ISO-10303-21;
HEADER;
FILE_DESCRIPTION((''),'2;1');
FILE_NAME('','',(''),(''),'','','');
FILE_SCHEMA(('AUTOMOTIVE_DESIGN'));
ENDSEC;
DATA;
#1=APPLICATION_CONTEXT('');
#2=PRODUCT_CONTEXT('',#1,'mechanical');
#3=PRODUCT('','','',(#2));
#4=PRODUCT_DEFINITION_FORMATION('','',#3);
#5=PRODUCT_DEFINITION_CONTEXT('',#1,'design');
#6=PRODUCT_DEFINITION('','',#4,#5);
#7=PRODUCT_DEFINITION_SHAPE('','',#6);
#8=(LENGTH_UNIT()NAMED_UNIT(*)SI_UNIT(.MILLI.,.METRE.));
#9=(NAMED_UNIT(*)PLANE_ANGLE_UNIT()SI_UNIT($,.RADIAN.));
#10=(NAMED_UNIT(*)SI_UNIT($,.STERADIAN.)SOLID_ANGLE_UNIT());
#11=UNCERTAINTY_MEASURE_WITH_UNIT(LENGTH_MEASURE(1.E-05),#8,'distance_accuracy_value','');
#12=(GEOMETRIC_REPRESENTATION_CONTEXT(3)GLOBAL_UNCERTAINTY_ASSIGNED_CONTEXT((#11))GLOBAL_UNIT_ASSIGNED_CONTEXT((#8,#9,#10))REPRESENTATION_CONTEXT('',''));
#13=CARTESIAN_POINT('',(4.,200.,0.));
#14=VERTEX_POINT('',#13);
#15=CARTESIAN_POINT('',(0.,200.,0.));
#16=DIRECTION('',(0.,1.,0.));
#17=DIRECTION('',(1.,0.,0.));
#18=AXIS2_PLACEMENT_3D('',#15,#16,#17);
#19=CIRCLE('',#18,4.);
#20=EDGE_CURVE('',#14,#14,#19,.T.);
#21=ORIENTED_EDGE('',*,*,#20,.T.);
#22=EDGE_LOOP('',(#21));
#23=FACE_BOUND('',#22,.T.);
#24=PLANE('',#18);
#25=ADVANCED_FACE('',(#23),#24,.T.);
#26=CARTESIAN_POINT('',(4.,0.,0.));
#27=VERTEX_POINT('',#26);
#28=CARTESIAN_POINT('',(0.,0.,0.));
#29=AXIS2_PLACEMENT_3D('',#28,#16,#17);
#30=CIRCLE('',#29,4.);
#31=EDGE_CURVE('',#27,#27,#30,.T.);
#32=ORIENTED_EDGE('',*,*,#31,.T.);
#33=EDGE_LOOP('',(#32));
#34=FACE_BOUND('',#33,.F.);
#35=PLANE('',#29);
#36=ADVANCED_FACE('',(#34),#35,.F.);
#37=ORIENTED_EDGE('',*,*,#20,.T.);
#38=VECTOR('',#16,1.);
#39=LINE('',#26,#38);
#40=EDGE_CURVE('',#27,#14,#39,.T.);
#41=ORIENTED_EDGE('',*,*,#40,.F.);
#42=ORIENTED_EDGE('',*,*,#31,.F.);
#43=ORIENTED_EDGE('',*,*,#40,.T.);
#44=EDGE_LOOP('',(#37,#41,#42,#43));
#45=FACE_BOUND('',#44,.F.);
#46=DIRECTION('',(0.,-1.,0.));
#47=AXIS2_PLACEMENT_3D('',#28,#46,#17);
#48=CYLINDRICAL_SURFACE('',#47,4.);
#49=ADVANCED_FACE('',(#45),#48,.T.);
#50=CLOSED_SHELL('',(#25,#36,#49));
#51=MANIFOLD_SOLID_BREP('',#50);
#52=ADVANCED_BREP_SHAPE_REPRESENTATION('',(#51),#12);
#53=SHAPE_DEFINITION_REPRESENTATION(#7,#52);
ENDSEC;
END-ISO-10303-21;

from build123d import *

# Parameters (mm, degrees)
CROQUIS1_R              = 4
SALIENTE_EXTRUIR1_DEPTH = 200


with BuildPart() as part:
    # Croquis1 → Saliente-Extruir1 (new body)
    with BuildSketch(Plane(origin=(0, 0, 0), x_dir=(1, 0, 0), z_dir=(0, 1, 0))):
        Circle(CROQUIS1_R)
    extrude(amount=SALIENTE_EXTRUIR1_DEPTH)


solid = part.part
